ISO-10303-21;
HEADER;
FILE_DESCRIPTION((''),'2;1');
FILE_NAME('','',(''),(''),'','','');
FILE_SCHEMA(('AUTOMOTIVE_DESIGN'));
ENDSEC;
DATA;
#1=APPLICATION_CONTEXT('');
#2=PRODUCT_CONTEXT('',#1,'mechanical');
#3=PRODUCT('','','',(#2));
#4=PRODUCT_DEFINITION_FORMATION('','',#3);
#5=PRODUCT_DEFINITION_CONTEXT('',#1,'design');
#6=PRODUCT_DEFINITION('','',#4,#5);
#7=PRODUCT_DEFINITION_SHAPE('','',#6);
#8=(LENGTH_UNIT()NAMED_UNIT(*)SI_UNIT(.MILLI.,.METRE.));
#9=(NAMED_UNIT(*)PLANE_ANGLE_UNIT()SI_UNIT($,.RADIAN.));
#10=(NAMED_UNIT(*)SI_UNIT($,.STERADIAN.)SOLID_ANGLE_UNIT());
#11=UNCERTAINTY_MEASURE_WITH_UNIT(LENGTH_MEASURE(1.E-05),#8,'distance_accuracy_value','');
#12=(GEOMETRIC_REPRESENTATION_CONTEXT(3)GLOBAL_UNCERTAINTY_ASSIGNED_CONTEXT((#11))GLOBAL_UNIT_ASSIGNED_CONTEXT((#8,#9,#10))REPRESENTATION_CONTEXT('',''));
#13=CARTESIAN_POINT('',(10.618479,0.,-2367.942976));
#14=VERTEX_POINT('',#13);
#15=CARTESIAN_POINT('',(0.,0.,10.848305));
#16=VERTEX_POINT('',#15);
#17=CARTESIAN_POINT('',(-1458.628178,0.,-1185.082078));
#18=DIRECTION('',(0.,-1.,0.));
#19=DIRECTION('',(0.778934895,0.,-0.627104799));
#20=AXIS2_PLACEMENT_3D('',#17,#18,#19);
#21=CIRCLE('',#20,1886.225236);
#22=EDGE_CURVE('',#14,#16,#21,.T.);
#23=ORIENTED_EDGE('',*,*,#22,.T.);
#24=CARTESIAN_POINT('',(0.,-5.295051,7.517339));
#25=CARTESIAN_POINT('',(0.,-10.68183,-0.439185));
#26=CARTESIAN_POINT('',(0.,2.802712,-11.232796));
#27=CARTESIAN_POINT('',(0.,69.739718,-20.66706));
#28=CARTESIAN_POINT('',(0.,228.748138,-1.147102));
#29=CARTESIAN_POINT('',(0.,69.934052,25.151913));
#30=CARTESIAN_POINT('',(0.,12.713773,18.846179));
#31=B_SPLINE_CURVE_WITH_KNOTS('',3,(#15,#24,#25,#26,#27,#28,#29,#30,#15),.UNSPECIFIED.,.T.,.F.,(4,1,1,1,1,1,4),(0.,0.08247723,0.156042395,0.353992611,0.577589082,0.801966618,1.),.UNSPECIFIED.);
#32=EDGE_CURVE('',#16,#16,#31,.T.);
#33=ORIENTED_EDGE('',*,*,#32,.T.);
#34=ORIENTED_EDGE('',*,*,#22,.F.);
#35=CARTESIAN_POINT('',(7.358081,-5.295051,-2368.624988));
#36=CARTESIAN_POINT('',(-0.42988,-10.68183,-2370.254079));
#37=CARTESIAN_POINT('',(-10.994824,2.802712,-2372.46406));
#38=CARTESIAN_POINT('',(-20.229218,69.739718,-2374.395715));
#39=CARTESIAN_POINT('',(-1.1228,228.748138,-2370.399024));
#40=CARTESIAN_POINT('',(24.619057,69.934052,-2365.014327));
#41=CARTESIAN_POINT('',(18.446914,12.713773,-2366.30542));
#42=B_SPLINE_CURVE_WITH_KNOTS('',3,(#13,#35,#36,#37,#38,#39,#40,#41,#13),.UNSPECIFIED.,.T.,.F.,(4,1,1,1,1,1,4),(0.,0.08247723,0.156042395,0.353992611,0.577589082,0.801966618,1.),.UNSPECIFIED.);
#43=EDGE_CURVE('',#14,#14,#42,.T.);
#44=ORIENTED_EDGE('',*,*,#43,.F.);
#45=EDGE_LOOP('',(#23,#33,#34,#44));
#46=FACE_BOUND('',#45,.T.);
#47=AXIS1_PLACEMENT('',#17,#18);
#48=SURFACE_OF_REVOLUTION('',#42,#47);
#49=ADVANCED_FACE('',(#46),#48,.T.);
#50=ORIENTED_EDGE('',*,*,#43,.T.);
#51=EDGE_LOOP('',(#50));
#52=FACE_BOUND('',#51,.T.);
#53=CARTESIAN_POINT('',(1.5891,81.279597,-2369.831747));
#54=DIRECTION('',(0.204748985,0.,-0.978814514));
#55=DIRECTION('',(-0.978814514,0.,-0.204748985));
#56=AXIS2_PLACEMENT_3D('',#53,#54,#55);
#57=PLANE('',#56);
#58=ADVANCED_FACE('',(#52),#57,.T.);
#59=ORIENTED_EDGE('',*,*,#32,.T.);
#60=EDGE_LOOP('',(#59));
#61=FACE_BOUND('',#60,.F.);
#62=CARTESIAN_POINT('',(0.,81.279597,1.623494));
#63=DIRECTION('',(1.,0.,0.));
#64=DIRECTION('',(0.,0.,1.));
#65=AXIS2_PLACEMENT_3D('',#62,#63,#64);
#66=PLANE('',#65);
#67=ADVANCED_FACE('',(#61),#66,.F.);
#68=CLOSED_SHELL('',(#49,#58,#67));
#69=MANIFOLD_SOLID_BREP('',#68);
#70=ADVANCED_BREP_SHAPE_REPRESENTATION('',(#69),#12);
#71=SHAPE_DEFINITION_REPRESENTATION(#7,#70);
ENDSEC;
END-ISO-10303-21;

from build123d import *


with BuildPart() as f2:
    # F2: sweep along a path in F1
    with BuildLine(Plane.XZ) as f2_path:
        ThreePointArc((0, -2370.1641559601), (420.7375909512, -1185.08207798), (0, 0))
    # F0 (on Right) → F2 (sweep)
    with BuildSketch(Plane.YZ):
        with BuildLine():
            add(Edge.make_bspline(
                [(0, 10.8483051881), (12.7137730984, 18.8461791368), (69.9340519033, 25.1519129862), (228.7481379453, -1.1471021453), (69.7397181549, -20.6670596932), (2.8027121387, -11.2327958109), (-10.6818303305, -0.4391846853), (-5.2950506355, 7.5173390613), (0, 10.8483051881)],
                knots=[0, 0, 0, 0, 0.1980333822, 0.422410918, 0.6460073893, 0.8439576046, 0.9175227701, 1, 1, 1, 1], degree=3))
        make_face()
    sweep(path=f2_path.line)


solid = f2.part
